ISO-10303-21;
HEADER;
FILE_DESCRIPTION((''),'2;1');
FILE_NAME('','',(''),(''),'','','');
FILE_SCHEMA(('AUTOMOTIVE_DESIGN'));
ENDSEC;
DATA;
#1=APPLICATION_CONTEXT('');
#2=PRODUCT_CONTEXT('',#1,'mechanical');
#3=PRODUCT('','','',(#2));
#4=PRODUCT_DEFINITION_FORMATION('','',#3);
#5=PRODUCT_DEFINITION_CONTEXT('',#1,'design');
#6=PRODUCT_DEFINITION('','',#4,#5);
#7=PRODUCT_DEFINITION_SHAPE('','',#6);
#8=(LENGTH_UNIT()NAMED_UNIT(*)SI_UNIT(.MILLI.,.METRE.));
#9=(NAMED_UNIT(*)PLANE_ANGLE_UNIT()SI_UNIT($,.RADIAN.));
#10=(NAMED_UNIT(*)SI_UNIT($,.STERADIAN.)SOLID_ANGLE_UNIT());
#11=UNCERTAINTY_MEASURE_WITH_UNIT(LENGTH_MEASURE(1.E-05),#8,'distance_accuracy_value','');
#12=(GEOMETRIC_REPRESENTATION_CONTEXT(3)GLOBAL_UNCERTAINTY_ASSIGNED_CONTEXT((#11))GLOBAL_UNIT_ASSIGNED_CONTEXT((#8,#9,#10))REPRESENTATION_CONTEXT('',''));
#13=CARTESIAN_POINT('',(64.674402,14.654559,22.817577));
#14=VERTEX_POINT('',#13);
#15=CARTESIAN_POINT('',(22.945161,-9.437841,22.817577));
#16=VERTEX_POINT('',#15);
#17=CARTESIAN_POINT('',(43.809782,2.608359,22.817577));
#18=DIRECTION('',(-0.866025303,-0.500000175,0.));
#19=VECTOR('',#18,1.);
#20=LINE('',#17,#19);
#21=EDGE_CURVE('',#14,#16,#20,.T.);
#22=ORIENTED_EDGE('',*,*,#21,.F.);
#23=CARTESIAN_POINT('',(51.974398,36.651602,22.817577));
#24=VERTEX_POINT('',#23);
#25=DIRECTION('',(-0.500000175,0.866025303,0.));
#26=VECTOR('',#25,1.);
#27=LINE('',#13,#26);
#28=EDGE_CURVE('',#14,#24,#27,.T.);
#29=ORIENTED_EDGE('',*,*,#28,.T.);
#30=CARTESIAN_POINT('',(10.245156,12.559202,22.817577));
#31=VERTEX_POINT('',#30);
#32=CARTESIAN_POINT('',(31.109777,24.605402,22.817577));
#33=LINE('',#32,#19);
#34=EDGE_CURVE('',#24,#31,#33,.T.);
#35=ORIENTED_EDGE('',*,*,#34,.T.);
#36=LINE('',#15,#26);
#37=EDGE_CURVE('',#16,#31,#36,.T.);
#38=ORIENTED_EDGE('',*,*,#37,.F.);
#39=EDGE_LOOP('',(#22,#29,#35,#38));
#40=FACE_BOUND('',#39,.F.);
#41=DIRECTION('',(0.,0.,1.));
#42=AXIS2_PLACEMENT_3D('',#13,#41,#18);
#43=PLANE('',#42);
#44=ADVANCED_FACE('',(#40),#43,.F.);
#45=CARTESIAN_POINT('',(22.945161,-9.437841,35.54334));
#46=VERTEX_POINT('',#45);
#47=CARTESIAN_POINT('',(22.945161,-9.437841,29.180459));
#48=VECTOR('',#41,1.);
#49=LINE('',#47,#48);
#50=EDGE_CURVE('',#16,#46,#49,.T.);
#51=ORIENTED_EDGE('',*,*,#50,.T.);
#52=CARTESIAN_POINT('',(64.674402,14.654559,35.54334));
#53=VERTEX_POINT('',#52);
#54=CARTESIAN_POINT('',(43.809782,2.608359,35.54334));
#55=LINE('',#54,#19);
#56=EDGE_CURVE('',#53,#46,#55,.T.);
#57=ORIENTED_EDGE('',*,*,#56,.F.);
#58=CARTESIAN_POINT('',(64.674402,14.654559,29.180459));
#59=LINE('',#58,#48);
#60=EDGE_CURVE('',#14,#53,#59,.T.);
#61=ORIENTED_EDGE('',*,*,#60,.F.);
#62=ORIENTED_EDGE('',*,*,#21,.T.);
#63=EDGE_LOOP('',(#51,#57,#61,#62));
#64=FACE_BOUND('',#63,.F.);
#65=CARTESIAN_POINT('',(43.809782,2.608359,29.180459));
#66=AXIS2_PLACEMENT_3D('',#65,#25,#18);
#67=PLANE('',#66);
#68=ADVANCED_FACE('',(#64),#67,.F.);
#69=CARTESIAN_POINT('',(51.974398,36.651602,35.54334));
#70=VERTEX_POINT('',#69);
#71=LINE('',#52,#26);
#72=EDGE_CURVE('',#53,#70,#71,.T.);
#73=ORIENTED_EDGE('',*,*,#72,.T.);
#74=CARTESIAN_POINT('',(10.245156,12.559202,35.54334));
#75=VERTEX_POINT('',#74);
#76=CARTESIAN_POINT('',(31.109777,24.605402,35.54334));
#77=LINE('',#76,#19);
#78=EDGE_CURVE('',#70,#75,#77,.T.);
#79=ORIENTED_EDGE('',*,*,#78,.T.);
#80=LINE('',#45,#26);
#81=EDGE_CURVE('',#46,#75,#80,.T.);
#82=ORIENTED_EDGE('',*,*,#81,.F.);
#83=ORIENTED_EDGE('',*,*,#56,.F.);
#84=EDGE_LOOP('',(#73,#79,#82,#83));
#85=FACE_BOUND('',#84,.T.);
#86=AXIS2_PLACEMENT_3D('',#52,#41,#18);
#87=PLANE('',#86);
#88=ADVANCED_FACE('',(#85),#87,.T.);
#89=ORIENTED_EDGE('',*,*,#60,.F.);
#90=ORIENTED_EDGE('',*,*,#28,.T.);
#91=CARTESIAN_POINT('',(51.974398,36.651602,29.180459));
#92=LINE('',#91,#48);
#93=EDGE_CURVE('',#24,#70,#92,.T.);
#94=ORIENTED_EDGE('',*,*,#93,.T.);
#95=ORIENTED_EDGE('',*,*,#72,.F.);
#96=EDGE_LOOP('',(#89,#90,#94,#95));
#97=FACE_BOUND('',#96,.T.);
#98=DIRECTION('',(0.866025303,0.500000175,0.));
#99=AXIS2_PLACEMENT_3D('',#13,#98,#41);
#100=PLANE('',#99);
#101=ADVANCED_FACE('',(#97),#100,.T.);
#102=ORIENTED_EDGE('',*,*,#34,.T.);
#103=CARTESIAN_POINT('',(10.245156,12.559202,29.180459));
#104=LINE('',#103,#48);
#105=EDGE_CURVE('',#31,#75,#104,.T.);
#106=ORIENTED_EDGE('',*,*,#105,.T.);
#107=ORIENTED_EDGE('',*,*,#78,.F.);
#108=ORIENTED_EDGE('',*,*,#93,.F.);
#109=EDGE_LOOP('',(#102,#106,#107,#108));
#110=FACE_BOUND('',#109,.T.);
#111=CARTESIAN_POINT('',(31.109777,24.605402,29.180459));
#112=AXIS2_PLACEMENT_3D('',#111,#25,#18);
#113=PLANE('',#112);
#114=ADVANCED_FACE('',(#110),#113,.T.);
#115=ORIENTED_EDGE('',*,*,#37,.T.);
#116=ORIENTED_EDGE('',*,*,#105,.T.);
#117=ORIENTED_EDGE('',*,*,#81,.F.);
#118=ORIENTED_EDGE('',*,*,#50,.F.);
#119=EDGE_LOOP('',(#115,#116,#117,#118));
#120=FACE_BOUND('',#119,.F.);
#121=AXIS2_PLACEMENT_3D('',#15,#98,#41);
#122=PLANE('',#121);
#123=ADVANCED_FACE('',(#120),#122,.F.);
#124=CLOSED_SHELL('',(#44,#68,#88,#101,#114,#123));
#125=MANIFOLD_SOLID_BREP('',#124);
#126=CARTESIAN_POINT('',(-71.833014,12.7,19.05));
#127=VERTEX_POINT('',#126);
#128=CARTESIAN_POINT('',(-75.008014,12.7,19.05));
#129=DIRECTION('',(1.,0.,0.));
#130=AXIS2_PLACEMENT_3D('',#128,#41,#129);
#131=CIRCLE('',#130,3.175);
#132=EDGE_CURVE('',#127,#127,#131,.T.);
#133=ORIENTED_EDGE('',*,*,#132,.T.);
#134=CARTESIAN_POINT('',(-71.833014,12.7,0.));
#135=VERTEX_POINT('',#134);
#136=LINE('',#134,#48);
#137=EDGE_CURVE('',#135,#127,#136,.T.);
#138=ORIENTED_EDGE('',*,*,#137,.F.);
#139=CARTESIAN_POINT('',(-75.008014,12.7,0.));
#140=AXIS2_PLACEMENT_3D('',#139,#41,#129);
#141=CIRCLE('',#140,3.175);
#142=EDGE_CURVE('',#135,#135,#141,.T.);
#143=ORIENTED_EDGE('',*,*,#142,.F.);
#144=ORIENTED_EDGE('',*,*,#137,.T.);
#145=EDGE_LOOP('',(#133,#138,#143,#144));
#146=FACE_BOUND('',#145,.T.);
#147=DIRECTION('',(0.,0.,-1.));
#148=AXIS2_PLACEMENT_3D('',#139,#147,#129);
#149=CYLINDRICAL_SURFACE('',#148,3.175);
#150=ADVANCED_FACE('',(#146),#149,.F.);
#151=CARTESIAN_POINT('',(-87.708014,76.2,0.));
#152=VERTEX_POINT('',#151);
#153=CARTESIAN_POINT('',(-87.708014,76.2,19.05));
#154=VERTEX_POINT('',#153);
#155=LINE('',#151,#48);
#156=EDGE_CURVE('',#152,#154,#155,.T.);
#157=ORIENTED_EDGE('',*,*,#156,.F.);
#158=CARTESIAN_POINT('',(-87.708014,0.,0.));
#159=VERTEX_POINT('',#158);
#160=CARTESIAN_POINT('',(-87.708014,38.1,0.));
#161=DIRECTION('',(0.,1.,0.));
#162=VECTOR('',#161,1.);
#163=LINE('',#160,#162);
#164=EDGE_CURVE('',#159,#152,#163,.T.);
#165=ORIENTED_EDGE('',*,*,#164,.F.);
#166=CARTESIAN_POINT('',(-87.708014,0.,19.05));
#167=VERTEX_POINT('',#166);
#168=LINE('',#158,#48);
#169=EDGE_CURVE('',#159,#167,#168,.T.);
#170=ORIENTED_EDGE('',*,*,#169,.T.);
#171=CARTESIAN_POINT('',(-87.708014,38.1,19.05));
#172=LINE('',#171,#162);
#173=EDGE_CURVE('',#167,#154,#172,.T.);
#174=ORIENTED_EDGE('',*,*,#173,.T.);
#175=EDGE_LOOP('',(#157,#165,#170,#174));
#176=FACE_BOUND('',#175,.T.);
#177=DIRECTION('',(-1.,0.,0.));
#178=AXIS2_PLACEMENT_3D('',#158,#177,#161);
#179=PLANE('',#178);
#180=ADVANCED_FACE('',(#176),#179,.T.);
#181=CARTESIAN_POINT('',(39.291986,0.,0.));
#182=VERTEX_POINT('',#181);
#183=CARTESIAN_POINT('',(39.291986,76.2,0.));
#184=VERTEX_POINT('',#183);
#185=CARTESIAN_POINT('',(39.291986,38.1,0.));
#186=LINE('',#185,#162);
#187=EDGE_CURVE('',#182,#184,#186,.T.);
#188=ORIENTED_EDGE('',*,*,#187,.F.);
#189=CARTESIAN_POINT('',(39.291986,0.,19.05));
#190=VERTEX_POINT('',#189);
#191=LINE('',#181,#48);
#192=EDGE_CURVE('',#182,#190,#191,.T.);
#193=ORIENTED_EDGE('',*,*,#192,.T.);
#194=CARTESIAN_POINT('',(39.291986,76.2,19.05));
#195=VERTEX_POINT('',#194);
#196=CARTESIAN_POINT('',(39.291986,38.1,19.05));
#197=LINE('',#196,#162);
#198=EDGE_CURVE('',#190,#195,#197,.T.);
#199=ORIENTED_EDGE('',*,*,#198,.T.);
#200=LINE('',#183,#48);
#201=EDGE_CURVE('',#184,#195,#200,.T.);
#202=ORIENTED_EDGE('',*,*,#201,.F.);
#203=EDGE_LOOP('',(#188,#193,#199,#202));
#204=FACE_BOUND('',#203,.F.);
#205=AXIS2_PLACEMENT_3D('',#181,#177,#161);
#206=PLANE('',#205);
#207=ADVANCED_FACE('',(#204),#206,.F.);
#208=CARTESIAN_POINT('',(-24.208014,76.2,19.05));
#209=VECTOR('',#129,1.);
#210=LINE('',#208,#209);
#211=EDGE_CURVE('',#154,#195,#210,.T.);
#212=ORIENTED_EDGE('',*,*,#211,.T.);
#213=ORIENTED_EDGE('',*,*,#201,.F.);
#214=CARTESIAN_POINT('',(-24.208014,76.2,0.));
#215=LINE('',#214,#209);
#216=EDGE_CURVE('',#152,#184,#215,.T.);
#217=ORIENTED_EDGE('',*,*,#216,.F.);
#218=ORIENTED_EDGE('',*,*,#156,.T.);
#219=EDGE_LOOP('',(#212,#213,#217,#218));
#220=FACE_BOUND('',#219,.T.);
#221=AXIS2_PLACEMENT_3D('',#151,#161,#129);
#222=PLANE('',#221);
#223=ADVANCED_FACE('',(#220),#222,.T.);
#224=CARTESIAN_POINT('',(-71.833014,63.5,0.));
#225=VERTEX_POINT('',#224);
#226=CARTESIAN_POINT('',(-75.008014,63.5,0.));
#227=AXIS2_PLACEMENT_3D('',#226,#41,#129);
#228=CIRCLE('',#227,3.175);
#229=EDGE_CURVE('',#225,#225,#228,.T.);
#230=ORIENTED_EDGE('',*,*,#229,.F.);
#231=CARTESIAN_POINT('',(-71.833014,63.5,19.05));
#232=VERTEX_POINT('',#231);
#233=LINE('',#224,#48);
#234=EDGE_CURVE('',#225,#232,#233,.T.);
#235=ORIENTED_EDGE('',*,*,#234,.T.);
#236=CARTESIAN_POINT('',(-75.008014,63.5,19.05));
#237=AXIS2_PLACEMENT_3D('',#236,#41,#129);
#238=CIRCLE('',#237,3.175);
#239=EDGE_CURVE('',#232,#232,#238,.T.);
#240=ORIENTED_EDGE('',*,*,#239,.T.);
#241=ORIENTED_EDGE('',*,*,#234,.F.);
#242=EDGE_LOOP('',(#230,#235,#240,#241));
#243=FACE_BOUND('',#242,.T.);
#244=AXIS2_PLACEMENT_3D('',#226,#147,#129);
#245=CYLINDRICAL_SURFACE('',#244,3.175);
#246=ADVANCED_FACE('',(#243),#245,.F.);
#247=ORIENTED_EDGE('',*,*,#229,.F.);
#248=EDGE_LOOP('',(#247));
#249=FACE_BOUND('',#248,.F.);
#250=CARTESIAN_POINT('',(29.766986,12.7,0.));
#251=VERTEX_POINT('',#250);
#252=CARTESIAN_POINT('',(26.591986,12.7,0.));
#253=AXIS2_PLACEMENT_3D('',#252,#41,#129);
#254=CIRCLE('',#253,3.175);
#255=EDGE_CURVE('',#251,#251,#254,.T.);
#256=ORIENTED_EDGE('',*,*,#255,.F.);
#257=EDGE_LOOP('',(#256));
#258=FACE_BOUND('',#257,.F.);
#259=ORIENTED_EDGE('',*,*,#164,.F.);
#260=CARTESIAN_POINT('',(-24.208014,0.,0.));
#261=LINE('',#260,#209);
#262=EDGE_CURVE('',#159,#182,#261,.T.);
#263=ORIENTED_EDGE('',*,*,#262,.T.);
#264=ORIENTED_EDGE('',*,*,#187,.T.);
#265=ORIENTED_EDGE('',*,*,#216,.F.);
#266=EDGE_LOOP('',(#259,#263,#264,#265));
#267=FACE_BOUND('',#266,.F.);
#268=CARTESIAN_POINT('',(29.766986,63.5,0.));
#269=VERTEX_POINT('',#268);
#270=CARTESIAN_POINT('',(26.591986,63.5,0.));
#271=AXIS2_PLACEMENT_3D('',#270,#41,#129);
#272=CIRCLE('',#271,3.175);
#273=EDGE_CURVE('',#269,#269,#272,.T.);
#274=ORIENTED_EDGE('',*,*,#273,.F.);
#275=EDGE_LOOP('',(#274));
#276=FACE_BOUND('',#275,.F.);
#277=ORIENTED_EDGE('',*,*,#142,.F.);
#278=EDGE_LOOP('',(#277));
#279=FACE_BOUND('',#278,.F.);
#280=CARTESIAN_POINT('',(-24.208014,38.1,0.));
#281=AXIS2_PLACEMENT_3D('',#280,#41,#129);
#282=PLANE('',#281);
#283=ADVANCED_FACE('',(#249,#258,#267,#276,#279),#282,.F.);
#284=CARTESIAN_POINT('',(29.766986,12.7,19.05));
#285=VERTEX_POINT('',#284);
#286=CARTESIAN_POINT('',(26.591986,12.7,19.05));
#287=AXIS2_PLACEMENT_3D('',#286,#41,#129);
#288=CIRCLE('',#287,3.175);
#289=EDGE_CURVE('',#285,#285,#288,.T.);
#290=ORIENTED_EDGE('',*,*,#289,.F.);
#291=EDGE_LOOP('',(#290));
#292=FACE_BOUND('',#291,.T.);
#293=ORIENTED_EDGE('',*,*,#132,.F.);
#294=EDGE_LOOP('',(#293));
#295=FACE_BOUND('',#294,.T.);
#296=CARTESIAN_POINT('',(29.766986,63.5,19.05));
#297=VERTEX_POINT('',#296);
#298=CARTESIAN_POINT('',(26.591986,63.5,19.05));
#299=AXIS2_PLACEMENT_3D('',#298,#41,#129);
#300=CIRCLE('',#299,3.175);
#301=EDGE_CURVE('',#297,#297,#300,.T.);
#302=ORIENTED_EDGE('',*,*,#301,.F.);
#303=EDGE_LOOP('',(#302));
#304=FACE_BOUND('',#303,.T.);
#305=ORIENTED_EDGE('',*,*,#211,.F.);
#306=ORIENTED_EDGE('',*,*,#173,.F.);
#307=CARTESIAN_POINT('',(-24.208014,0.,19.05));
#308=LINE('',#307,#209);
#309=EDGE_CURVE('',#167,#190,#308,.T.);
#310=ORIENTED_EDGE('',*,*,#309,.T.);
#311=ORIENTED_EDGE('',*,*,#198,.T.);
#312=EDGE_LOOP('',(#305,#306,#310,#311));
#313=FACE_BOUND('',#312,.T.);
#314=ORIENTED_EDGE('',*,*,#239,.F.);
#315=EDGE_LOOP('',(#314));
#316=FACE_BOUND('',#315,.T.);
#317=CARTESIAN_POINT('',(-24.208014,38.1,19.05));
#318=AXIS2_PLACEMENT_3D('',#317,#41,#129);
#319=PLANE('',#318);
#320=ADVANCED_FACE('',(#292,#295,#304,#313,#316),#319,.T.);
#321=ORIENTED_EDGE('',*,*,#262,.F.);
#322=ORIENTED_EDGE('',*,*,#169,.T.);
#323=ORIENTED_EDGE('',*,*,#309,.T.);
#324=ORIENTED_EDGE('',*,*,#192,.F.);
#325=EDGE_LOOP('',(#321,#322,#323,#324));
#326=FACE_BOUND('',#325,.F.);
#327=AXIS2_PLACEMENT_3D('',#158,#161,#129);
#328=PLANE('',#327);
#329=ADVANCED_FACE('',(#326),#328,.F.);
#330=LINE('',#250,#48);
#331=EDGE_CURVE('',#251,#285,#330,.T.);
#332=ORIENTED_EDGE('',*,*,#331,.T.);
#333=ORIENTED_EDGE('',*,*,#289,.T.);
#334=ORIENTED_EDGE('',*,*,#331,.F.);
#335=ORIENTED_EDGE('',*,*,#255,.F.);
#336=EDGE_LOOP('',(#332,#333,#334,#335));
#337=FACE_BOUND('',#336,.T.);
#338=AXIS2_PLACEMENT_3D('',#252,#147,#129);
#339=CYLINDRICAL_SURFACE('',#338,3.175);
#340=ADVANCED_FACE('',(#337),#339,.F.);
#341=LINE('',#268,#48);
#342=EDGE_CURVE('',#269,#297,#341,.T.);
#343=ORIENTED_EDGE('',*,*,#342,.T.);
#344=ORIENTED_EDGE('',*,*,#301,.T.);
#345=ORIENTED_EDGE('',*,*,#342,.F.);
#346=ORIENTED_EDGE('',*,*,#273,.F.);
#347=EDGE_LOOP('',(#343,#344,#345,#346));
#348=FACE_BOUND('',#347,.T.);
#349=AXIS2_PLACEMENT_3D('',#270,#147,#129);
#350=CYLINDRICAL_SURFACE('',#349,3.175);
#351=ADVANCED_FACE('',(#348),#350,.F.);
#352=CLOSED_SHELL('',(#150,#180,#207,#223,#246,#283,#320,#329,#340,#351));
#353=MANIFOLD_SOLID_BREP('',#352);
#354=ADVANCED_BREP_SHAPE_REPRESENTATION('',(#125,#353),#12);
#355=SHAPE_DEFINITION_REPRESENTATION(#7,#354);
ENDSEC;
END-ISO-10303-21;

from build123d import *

# Parameters (mm, degrees)
F0_W     = 127
F0_H     = 76.2
F0_R     = 3.175
F1_DEPTH = 19.05
F3_W     = 48.184783
F3_H     = 12.725763
F4_DEPTH = 25.4


with BuildPart() as f1:
    # F0 (on Top) → F1 (new body)
    with BuildSketch(Plane.XY):
        with Locations((-24.208014, 38.1)):
            Rectangle(F0_W, F0_H)
        with Locations((-75.008014, 12.7)):
            Circle(F0_R, mode=Mode.SUBTRACT)
        with Locations((26.591986, 12.7)):
            Circle(F0_R, mode=Mode.SUBTRACT)
        with Locations((-75.008014, 63.5)):
            Circle(F0_R, mode=Mode.SUBTRACT)
        with Locations((26.591986, 63.5)):
            Circle(F0_R, mode=Mode.SUBTRACT)
    extrude(amount=F1_DEPTH)


with BuildPart() as f4:
    # F3 (on face) → F4 (new body)
    with BuildSketch(Plane(origin=(9.822997, -17.013929, 0), x_dir=(-0.866025, -0.5, 0), z_dir=(-0.5, 0.866025, 0))):
        with Locations((-39.244563, 29.180459)):
            Rectangle(F3_W, F3_H)
    extrude(amount=F4_DEPTH)


solid = Compound([f1.part, f4.part])
